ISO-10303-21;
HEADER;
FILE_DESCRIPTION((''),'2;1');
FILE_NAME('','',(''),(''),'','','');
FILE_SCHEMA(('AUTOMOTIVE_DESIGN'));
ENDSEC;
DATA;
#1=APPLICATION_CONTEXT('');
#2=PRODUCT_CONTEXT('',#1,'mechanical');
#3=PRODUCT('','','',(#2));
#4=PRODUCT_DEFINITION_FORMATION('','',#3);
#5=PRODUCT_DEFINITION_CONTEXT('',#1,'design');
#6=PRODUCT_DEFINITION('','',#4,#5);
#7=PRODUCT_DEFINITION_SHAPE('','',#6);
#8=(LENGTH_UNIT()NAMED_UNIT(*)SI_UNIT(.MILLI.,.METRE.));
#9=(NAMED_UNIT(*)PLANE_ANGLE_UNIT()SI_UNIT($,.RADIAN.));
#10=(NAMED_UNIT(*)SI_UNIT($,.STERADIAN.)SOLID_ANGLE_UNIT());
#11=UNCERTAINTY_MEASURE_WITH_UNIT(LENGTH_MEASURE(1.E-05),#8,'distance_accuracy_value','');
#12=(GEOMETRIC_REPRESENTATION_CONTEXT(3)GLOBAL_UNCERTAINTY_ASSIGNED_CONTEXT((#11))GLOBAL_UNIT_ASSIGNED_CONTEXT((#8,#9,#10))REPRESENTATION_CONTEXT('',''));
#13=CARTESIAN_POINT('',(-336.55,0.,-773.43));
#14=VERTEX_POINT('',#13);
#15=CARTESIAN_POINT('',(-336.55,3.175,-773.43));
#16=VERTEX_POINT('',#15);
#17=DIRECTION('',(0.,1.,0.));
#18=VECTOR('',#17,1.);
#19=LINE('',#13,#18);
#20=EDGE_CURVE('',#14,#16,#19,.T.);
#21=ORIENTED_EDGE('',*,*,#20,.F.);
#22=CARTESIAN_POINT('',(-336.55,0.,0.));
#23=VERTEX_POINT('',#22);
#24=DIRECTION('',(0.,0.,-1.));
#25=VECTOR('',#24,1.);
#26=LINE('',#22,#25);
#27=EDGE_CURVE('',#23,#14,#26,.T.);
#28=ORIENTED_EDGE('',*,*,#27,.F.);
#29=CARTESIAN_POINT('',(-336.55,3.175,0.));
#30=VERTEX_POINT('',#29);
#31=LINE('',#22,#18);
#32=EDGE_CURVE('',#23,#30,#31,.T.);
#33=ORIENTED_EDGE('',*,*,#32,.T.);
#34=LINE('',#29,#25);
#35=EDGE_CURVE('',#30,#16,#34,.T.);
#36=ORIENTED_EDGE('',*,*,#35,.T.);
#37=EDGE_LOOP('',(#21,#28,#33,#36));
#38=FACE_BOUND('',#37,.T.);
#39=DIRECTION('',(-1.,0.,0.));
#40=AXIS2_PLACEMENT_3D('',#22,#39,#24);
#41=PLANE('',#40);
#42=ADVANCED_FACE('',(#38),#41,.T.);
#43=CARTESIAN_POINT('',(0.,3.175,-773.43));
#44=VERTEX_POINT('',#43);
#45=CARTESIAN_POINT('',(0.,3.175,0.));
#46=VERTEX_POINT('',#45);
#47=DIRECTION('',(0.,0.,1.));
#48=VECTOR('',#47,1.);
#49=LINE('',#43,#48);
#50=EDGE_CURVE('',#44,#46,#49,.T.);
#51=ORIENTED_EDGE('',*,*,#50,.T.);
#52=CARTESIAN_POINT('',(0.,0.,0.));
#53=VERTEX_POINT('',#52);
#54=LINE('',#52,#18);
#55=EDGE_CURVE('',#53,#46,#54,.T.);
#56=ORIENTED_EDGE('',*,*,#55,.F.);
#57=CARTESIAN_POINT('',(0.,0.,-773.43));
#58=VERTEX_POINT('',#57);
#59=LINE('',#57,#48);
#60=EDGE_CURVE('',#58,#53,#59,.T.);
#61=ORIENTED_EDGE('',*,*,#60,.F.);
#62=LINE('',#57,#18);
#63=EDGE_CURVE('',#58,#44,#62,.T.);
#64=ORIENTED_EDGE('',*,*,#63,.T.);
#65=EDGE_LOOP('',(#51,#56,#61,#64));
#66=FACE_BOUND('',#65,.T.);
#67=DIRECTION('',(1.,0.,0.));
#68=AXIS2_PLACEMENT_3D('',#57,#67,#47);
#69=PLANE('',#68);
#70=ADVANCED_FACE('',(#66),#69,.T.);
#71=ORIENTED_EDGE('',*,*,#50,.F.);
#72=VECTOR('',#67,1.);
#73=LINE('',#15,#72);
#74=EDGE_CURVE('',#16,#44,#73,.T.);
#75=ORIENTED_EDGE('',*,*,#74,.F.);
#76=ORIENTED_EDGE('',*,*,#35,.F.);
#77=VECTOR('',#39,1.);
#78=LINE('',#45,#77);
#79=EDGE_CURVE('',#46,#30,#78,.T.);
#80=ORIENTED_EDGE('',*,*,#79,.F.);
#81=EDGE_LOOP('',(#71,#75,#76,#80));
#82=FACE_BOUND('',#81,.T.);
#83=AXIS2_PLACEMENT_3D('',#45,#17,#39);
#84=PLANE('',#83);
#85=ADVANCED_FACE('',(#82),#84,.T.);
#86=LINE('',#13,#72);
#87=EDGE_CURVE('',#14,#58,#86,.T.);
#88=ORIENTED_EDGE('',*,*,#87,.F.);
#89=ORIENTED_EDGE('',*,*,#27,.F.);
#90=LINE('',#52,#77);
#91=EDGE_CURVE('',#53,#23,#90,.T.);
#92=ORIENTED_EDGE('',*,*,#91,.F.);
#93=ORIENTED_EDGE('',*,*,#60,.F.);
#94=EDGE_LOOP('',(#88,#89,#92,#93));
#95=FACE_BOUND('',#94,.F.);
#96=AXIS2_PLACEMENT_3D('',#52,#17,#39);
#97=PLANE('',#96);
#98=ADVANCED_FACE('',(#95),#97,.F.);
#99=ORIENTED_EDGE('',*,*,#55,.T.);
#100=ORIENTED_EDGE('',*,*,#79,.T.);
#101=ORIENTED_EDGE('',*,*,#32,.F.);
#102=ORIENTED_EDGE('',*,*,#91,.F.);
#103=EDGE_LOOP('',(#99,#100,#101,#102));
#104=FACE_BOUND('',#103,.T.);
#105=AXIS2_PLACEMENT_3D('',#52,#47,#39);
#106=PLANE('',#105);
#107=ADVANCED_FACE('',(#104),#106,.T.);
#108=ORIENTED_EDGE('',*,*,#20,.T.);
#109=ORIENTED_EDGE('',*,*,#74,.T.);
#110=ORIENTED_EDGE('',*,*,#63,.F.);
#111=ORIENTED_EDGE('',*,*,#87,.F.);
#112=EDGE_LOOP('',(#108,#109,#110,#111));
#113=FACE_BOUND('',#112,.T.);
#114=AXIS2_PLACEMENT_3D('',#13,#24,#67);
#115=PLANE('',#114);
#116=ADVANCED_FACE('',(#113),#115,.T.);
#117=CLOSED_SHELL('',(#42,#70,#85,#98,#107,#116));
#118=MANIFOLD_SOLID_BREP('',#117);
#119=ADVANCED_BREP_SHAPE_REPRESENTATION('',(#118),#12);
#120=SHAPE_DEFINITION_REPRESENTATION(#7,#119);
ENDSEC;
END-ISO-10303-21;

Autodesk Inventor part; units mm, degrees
ref_plane "YZ Plane" through (0, 0, 0) normal (1, 0, 0) x (0, 1, 0)
ref_plane "XZ Plane" through (0, 0, 0) normal (0, 1, 0) x (-1, 0, 0)
ref_plane "XY Plane" through (0, 0, 0) normal (0, 0, 1) x (1, 0, 0)
sketch "Sketch1" plane through (0, 0, 0) normal (0, 1, 0) x (-1, 0, 0)
  line L0 (0, 0) -> (336.55, 0)
  line L1 (336.55, 0) -> (336.55, -773.43)
  line L2 (336.55, -773.43) -> (0, -773.43)
  line L3 (0, -773.43) -> (0, 0)
  dimension "d0" = 336.55
  dimension "d1" = 773.43
extrude "Extrusion1" add sketch "Sketch1" along normal blind 3.175
properties part number "Shingle_With_Dimensions_13.25_x_30.45_Inches"
